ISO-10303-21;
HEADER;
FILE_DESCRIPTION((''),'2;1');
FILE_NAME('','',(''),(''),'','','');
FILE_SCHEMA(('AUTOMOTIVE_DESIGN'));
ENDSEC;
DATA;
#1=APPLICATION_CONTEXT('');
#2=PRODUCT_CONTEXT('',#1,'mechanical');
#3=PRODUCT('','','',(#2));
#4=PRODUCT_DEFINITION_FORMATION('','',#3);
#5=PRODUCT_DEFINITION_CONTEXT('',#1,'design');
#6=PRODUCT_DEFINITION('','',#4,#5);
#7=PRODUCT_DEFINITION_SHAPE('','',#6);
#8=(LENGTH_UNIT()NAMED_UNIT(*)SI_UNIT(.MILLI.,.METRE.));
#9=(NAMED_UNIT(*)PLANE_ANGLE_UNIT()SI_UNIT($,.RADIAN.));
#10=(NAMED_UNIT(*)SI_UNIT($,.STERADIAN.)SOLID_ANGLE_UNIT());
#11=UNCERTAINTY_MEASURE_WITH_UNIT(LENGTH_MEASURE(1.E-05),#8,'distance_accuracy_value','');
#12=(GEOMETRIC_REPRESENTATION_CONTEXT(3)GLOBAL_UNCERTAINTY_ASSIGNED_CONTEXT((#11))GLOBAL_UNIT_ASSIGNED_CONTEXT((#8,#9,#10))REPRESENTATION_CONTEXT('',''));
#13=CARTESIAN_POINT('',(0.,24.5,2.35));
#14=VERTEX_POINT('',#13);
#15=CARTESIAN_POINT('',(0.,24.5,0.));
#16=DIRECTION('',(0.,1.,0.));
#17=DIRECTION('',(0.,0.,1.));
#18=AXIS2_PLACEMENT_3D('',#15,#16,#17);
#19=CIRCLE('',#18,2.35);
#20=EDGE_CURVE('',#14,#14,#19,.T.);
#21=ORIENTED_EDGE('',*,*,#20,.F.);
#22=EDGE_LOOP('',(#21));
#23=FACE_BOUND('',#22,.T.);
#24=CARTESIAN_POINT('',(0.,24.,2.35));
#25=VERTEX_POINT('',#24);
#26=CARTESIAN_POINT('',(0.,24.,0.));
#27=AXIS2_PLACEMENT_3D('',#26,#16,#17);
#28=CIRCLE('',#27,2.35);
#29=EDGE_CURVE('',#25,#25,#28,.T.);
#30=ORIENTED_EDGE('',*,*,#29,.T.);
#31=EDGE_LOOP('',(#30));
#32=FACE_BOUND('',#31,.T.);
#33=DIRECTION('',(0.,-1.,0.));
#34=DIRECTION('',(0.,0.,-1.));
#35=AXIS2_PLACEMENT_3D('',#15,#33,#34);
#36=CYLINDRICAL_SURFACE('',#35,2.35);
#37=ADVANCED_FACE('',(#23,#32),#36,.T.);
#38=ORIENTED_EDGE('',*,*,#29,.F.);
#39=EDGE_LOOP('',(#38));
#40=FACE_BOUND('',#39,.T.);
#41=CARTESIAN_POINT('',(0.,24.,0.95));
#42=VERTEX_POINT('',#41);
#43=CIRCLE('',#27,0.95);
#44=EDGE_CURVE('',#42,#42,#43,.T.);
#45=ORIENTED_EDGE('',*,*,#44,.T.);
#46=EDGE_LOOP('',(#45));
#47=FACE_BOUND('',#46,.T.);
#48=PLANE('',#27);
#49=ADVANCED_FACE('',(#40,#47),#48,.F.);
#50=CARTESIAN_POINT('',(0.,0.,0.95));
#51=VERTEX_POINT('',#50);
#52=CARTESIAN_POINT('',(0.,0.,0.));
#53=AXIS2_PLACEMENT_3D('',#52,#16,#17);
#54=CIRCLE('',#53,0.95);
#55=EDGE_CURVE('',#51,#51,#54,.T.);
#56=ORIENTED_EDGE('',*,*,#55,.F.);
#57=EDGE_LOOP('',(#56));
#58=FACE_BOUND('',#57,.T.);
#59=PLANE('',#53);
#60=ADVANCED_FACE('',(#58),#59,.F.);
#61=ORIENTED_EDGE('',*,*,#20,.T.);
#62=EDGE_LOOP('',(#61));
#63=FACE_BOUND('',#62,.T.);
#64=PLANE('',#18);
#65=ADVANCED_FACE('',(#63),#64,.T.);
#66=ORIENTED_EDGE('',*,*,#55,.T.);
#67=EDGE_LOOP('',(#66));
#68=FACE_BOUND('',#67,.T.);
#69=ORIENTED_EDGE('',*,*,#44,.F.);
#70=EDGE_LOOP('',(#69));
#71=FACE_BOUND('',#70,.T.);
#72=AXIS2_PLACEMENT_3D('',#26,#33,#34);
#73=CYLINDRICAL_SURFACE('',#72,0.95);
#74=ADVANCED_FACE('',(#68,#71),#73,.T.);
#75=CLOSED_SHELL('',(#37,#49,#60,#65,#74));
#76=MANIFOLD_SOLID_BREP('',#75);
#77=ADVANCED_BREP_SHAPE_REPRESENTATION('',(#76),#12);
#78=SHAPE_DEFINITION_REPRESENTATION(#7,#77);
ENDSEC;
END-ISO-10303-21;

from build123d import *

# Parameters (mm, degrees)
SKETCH_1_R      = 0.95
EXTRUDE_1_DEPTH = 24
SKETCH_3_R      = 2.35
EXTRUDE_2_DEPTH = 0.5


with BuildPart() as part:
    # Эскиз1 → Бобышка-Вытянуть1 (new body)
    with BuildSketch(Plane(origin=(0, 0, 0), x_dir=(1, 0, 0), z_dir=(0, 1, 0))):
        with Locations(Location((0, 0, 0), (0, 0, 270))):
            Circle(SKETCH_1_R)
    extrude(amount=EXTRUDE_1_DEPTH)

    # Эскиз3 → Бобышка-Вытянуть2 (add)
    with BuildSketch(Plane(origin=(0, 24, 0), x_dir=(1, 0, 0), z_dir=(0, 1, 0))):
        with Locations(Location((0, 0, 0), (0, 0, 270))):
            Circle(SKETCH_3_R)
    extrude(amount=EXTRUDE_2_DEPTH)


solid = part.part
